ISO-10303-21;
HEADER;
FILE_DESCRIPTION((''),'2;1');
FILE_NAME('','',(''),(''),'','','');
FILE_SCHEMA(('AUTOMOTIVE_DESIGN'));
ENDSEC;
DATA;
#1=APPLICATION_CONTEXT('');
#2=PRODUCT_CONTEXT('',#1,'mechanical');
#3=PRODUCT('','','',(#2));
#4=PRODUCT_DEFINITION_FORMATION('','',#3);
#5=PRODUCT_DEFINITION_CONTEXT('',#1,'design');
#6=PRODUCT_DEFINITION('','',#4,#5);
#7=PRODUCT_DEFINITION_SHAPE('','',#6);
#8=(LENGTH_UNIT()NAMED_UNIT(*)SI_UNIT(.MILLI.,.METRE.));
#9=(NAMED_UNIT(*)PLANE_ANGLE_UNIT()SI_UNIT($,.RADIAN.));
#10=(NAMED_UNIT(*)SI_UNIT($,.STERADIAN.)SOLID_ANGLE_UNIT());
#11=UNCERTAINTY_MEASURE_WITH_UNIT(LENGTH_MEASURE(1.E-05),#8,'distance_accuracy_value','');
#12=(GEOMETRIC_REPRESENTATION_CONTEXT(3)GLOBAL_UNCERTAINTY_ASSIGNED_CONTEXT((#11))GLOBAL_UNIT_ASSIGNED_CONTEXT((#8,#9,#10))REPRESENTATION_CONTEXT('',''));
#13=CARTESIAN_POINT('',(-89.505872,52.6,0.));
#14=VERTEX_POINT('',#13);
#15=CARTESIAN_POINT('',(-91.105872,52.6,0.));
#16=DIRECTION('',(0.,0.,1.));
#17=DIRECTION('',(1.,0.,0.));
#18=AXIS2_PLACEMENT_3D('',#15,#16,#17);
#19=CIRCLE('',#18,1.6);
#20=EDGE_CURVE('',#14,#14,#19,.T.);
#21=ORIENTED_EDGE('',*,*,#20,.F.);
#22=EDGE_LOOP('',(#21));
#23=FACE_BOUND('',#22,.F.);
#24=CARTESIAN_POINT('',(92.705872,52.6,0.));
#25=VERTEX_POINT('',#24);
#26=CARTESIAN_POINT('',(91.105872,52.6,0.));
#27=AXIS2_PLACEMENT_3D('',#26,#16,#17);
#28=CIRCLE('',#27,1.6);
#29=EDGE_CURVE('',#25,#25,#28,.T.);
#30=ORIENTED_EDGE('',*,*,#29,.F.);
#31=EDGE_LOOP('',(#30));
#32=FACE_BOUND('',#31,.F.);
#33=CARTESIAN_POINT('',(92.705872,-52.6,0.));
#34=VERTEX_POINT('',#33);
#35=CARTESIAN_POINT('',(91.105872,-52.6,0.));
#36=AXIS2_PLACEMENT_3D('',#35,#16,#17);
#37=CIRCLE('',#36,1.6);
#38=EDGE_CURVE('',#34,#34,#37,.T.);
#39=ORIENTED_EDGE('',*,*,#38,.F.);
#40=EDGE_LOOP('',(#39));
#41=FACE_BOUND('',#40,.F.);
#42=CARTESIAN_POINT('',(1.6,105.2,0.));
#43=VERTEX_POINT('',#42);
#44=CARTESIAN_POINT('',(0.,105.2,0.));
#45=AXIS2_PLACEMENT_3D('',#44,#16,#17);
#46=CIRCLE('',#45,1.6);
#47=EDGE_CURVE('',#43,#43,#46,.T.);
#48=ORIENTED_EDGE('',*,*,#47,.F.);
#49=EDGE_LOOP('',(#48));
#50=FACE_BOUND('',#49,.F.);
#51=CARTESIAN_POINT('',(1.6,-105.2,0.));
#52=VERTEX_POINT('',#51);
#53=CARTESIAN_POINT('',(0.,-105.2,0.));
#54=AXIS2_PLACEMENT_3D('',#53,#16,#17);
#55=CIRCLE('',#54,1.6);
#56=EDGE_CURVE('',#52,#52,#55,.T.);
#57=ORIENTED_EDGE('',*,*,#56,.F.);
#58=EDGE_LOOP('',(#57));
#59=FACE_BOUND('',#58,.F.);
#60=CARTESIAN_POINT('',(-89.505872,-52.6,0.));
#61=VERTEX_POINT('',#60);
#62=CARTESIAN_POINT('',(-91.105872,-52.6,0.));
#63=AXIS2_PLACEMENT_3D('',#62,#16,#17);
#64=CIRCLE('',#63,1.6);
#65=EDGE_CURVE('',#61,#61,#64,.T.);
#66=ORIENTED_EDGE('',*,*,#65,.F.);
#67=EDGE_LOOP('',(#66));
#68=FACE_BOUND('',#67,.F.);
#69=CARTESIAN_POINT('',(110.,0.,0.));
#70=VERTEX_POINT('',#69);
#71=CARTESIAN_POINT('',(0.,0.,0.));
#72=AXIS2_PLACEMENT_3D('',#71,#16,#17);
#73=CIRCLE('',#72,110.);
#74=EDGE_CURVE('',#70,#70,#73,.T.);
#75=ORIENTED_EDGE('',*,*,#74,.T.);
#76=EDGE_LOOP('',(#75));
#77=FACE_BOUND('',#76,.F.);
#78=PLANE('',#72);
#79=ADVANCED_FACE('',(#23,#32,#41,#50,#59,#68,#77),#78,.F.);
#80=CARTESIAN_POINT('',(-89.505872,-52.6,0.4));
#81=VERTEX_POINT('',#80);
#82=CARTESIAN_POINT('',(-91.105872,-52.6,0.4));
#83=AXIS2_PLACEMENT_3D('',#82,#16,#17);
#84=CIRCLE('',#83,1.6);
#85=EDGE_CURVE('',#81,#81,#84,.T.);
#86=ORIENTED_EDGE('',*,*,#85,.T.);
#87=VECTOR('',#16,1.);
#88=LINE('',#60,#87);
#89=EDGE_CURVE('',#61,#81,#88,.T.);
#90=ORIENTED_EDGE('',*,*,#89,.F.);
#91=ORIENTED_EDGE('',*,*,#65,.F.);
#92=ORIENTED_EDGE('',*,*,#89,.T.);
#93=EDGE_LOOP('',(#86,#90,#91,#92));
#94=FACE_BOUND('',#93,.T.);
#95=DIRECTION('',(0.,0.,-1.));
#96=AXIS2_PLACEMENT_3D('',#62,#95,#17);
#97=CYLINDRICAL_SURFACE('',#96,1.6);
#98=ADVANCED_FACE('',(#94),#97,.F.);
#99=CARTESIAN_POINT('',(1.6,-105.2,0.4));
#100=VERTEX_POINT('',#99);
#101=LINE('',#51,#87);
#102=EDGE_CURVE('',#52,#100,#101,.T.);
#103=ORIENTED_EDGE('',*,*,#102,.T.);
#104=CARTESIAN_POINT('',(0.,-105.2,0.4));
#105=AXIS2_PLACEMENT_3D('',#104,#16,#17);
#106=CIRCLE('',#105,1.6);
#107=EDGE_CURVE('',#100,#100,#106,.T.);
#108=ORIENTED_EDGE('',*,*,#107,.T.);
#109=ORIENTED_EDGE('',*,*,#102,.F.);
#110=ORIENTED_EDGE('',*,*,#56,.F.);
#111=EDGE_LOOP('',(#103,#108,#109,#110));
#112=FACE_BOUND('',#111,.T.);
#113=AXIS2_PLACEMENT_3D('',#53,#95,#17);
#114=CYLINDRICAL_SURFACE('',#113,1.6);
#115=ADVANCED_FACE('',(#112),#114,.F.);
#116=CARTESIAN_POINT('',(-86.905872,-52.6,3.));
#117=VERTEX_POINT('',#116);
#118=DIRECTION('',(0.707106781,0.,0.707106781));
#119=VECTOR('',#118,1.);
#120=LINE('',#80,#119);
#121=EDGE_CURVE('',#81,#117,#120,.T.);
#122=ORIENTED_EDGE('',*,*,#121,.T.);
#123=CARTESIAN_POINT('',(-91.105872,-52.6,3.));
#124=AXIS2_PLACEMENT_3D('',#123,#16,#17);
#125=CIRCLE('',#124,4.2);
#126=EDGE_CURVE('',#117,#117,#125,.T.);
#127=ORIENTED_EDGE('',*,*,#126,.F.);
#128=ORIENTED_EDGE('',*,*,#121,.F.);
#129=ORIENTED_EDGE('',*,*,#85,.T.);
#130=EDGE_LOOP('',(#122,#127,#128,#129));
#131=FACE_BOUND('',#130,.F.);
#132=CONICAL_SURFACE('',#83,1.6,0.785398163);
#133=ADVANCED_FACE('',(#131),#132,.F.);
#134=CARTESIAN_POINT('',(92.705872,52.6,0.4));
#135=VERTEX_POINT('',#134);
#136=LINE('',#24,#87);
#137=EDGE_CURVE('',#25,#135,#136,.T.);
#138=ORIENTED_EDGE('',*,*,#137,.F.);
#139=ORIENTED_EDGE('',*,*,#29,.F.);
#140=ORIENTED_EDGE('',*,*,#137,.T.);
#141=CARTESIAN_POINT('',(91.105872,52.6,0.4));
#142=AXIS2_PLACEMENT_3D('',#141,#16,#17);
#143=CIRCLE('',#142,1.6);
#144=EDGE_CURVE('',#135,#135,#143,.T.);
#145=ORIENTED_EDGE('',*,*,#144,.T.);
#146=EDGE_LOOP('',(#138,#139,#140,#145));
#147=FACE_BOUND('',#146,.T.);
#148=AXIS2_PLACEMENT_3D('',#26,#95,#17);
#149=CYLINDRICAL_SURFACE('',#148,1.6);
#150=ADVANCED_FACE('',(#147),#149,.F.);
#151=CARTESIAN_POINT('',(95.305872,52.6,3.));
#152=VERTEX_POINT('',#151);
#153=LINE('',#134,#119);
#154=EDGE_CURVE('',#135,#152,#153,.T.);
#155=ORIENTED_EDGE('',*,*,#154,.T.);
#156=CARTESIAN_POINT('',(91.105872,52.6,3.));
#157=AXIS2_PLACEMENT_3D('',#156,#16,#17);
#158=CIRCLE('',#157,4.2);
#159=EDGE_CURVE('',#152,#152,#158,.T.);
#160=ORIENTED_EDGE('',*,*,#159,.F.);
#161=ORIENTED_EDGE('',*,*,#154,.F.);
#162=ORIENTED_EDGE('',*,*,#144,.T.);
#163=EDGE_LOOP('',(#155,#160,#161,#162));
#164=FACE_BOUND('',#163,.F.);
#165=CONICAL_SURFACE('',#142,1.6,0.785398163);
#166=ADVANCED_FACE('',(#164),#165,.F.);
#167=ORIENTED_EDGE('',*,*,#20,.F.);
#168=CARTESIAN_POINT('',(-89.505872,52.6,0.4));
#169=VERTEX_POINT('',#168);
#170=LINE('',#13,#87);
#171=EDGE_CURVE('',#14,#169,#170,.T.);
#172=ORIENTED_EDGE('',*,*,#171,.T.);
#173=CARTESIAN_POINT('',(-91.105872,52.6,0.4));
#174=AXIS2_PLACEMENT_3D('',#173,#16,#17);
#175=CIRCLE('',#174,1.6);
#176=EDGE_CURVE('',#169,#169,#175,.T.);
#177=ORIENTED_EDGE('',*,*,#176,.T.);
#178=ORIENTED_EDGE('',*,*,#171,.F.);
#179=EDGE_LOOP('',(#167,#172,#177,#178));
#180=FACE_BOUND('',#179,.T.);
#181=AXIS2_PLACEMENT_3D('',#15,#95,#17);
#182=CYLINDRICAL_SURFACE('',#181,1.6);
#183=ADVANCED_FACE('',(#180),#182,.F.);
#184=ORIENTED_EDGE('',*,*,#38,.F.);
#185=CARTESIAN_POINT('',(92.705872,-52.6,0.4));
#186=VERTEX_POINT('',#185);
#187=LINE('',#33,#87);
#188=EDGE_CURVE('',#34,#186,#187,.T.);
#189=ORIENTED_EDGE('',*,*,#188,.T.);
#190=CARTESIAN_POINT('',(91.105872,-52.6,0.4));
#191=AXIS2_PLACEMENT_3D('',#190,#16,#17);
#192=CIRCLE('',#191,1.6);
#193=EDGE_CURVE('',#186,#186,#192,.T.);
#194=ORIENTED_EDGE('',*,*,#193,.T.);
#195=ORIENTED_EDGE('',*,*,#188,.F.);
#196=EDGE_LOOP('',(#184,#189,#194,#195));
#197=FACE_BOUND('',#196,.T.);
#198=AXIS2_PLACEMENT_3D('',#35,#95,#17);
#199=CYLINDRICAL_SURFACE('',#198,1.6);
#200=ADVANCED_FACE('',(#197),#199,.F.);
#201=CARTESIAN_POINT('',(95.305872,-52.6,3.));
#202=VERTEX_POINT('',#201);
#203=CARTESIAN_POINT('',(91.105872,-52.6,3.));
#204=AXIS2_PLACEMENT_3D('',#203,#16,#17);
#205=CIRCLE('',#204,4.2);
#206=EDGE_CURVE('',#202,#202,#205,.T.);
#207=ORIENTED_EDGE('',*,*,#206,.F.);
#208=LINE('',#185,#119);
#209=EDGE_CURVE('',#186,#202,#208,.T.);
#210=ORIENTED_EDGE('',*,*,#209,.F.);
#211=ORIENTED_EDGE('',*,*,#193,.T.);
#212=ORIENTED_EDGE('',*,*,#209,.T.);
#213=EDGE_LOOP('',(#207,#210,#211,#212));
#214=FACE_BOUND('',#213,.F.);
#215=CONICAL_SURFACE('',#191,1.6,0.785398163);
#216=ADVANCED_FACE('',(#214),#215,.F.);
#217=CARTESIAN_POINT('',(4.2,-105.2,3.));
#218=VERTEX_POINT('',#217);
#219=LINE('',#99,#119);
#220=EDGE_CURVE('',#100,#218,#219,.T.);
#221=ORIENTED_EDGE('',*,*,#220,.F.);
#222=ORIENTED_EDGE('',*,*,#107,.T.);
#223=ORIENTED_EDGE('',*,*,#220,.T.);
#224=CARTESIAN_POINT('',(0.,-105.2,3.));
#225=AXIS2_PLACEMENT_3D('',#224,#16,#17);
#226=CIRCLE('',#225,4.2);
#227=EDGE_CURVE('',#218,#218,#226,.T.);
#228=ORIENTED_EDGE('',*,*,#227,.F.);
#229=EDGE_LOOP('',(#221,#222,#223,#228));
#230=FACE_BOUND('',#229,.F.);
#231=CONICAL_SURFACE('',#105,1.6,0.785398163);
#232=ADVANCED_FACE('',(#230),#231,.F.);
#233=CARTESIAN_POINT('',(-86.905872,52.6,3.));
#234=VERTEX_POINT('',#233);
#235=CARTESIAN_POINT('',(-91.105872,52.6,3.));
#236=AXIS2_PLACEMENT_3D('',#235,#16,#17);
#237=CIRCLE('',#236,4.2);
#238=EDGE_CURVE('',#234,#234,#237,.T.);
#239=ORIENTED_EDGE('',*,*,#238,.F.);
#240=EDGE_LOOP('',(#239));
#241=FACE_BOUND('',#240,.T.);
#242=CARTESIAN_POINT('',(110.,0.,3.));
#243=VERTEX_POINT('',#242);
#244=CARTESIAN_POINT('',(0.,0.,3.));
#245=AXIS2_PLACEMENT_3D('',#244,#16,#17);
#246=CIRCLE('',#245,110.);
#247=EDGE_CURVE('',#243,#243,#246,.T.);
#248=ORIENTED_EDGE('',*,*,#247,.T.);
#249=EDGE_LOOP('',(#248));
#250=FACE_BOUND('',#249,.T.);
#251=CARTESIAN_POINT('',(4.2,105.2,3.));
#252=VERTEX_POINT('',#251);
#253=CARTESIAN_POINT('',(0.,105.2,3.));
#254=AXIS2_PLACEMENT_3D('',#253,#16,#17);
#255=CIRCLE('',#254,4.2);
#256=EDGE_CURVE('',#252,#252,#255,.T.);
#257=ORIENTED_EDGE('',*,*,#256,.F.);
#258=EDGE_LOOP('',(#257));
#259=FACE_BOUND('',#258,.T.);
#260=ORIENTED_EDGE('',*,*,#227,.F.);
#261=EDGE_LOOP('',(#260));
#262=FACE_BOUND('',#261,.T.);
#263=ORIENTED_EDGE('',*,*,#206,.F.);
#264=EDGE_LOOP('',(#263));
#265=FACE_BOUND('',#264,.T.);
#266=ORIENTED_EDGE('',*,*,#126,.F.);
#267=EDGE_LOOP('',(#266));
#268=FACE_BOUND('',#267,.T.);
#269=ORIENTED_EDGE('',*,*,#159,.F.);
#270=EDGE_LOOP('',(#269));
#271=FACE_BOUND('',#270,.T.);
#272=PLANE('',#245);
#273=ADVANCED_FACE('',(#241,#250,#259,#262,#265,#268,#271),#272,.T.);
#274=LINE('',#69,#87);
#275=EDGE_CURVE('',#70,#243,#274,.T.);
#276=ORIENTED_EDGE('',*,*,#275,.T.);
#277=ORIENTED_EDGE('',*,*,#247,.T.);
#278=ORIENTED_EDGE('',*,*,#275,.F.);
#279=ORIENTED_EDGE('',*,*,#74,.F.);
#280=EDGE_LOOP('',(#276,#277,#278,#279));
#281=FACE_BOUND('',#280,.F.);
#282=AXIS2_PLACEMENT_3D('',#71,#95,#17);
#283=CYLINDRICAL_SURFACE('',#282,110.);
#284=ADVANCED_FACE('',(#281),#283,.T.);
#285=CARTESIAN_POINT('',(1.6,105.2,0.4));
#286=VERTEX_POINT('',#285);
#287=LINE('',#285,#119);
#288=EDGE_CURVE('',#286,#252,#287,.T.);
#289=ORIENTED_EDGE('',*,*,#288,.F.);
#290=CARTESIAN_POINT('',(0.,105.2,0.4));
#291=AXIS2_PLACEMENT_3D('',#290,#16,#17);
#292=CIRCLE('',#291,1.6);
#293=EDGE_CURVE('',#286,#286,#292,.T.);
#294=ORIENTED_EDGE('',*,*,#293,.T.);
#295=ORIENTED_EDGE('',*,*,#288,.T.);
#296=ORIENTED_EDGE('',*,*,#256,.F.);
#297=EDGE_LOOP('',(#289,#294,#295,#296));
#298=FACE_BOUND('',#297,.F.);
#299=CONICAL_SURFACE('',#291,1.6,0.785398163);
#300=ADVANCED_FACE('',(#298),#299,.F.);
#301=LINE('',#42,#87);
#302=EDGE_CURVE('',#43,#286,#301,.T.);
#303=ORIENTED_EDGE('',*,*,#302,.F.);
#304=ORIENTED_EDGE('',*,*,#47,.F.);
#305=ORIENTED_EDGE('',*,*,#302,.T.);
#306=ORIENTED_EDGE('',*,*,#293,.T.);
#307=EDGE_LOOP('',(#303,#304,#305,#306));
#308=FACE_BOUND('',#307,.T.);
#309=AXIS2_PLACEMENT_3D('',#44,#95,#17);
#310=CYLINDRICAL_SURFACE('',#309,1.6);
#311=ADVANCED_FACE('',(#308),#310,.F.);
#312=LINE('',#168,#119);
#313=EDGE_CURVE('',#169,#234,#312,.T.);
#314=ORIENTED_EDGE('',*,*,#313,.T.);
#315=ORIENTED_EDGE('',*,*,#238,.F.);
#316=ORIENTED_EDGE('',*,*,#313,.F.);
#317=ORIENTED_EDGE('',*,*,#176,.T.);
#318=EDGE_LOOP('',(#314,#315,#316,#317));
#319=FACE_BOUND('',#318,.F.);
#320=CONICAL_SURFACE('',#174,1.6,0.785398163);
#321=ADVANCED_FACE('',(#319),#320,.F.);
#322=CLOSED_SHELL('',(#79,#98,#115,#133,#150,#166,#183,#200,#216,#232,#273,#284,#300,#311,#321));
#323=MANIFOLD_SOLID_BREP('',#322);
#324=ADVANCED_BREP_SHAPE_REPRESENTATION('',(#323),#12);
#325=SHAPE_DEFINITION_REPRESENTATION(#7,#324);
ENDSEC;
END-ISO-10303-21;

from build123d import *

# Parameters (mm, degrees)
F0_R     = 110
F0_R_2   = 1.6
F1_DEPTH = 3
F2_SIZE  = 2.6


with BuildPart() as f1:
    # F0 (on Top) → F1 (new body)
    with BuildSketch(Plane.XY):
        Circle(F0_R)
        with Locations((-91.105872, -52.6)):
            Circle(F0_R_2, mode=Mode.SUBTRACT)
        with Locations((0, -105.2)):
            Circle(F0_R_2, mode=Mode.SUBTRACT)
        with Locations((91.105872, -52.6)):
            Circle(F0_R_2, mode=Mode.SUBTRACT)
        with Locations((-91.105872, 52.6)):
            Circle(F0_R_2, mode=Mode.SUBTRACT)
        with Locations((91.105872, 52.6)):
            Circle(F0_R_2, mode=Mode.SUBTRACT)
        with Locations((0, 105.2)):
            Circle(F0_R_2, mode=Mode.SUBTRACT)
    extrude(amount=F1_DEPTH)

    # F2
    f2_edges = [f1.edges().sort_by_distance(p)[0] for p in [
        (-92.705872, 52.6, 3),
        (-1.6, 105.2, 3),
        (89.505872, 52.6, 3),
        (89.505872, -52.6, 3),
        (-1.6, -105.2, 3),
        (-92.705872, -52.6, 3),
    ]]
    chamfer(f2_edges, length=F2_SIZE)


solid = f1.part
